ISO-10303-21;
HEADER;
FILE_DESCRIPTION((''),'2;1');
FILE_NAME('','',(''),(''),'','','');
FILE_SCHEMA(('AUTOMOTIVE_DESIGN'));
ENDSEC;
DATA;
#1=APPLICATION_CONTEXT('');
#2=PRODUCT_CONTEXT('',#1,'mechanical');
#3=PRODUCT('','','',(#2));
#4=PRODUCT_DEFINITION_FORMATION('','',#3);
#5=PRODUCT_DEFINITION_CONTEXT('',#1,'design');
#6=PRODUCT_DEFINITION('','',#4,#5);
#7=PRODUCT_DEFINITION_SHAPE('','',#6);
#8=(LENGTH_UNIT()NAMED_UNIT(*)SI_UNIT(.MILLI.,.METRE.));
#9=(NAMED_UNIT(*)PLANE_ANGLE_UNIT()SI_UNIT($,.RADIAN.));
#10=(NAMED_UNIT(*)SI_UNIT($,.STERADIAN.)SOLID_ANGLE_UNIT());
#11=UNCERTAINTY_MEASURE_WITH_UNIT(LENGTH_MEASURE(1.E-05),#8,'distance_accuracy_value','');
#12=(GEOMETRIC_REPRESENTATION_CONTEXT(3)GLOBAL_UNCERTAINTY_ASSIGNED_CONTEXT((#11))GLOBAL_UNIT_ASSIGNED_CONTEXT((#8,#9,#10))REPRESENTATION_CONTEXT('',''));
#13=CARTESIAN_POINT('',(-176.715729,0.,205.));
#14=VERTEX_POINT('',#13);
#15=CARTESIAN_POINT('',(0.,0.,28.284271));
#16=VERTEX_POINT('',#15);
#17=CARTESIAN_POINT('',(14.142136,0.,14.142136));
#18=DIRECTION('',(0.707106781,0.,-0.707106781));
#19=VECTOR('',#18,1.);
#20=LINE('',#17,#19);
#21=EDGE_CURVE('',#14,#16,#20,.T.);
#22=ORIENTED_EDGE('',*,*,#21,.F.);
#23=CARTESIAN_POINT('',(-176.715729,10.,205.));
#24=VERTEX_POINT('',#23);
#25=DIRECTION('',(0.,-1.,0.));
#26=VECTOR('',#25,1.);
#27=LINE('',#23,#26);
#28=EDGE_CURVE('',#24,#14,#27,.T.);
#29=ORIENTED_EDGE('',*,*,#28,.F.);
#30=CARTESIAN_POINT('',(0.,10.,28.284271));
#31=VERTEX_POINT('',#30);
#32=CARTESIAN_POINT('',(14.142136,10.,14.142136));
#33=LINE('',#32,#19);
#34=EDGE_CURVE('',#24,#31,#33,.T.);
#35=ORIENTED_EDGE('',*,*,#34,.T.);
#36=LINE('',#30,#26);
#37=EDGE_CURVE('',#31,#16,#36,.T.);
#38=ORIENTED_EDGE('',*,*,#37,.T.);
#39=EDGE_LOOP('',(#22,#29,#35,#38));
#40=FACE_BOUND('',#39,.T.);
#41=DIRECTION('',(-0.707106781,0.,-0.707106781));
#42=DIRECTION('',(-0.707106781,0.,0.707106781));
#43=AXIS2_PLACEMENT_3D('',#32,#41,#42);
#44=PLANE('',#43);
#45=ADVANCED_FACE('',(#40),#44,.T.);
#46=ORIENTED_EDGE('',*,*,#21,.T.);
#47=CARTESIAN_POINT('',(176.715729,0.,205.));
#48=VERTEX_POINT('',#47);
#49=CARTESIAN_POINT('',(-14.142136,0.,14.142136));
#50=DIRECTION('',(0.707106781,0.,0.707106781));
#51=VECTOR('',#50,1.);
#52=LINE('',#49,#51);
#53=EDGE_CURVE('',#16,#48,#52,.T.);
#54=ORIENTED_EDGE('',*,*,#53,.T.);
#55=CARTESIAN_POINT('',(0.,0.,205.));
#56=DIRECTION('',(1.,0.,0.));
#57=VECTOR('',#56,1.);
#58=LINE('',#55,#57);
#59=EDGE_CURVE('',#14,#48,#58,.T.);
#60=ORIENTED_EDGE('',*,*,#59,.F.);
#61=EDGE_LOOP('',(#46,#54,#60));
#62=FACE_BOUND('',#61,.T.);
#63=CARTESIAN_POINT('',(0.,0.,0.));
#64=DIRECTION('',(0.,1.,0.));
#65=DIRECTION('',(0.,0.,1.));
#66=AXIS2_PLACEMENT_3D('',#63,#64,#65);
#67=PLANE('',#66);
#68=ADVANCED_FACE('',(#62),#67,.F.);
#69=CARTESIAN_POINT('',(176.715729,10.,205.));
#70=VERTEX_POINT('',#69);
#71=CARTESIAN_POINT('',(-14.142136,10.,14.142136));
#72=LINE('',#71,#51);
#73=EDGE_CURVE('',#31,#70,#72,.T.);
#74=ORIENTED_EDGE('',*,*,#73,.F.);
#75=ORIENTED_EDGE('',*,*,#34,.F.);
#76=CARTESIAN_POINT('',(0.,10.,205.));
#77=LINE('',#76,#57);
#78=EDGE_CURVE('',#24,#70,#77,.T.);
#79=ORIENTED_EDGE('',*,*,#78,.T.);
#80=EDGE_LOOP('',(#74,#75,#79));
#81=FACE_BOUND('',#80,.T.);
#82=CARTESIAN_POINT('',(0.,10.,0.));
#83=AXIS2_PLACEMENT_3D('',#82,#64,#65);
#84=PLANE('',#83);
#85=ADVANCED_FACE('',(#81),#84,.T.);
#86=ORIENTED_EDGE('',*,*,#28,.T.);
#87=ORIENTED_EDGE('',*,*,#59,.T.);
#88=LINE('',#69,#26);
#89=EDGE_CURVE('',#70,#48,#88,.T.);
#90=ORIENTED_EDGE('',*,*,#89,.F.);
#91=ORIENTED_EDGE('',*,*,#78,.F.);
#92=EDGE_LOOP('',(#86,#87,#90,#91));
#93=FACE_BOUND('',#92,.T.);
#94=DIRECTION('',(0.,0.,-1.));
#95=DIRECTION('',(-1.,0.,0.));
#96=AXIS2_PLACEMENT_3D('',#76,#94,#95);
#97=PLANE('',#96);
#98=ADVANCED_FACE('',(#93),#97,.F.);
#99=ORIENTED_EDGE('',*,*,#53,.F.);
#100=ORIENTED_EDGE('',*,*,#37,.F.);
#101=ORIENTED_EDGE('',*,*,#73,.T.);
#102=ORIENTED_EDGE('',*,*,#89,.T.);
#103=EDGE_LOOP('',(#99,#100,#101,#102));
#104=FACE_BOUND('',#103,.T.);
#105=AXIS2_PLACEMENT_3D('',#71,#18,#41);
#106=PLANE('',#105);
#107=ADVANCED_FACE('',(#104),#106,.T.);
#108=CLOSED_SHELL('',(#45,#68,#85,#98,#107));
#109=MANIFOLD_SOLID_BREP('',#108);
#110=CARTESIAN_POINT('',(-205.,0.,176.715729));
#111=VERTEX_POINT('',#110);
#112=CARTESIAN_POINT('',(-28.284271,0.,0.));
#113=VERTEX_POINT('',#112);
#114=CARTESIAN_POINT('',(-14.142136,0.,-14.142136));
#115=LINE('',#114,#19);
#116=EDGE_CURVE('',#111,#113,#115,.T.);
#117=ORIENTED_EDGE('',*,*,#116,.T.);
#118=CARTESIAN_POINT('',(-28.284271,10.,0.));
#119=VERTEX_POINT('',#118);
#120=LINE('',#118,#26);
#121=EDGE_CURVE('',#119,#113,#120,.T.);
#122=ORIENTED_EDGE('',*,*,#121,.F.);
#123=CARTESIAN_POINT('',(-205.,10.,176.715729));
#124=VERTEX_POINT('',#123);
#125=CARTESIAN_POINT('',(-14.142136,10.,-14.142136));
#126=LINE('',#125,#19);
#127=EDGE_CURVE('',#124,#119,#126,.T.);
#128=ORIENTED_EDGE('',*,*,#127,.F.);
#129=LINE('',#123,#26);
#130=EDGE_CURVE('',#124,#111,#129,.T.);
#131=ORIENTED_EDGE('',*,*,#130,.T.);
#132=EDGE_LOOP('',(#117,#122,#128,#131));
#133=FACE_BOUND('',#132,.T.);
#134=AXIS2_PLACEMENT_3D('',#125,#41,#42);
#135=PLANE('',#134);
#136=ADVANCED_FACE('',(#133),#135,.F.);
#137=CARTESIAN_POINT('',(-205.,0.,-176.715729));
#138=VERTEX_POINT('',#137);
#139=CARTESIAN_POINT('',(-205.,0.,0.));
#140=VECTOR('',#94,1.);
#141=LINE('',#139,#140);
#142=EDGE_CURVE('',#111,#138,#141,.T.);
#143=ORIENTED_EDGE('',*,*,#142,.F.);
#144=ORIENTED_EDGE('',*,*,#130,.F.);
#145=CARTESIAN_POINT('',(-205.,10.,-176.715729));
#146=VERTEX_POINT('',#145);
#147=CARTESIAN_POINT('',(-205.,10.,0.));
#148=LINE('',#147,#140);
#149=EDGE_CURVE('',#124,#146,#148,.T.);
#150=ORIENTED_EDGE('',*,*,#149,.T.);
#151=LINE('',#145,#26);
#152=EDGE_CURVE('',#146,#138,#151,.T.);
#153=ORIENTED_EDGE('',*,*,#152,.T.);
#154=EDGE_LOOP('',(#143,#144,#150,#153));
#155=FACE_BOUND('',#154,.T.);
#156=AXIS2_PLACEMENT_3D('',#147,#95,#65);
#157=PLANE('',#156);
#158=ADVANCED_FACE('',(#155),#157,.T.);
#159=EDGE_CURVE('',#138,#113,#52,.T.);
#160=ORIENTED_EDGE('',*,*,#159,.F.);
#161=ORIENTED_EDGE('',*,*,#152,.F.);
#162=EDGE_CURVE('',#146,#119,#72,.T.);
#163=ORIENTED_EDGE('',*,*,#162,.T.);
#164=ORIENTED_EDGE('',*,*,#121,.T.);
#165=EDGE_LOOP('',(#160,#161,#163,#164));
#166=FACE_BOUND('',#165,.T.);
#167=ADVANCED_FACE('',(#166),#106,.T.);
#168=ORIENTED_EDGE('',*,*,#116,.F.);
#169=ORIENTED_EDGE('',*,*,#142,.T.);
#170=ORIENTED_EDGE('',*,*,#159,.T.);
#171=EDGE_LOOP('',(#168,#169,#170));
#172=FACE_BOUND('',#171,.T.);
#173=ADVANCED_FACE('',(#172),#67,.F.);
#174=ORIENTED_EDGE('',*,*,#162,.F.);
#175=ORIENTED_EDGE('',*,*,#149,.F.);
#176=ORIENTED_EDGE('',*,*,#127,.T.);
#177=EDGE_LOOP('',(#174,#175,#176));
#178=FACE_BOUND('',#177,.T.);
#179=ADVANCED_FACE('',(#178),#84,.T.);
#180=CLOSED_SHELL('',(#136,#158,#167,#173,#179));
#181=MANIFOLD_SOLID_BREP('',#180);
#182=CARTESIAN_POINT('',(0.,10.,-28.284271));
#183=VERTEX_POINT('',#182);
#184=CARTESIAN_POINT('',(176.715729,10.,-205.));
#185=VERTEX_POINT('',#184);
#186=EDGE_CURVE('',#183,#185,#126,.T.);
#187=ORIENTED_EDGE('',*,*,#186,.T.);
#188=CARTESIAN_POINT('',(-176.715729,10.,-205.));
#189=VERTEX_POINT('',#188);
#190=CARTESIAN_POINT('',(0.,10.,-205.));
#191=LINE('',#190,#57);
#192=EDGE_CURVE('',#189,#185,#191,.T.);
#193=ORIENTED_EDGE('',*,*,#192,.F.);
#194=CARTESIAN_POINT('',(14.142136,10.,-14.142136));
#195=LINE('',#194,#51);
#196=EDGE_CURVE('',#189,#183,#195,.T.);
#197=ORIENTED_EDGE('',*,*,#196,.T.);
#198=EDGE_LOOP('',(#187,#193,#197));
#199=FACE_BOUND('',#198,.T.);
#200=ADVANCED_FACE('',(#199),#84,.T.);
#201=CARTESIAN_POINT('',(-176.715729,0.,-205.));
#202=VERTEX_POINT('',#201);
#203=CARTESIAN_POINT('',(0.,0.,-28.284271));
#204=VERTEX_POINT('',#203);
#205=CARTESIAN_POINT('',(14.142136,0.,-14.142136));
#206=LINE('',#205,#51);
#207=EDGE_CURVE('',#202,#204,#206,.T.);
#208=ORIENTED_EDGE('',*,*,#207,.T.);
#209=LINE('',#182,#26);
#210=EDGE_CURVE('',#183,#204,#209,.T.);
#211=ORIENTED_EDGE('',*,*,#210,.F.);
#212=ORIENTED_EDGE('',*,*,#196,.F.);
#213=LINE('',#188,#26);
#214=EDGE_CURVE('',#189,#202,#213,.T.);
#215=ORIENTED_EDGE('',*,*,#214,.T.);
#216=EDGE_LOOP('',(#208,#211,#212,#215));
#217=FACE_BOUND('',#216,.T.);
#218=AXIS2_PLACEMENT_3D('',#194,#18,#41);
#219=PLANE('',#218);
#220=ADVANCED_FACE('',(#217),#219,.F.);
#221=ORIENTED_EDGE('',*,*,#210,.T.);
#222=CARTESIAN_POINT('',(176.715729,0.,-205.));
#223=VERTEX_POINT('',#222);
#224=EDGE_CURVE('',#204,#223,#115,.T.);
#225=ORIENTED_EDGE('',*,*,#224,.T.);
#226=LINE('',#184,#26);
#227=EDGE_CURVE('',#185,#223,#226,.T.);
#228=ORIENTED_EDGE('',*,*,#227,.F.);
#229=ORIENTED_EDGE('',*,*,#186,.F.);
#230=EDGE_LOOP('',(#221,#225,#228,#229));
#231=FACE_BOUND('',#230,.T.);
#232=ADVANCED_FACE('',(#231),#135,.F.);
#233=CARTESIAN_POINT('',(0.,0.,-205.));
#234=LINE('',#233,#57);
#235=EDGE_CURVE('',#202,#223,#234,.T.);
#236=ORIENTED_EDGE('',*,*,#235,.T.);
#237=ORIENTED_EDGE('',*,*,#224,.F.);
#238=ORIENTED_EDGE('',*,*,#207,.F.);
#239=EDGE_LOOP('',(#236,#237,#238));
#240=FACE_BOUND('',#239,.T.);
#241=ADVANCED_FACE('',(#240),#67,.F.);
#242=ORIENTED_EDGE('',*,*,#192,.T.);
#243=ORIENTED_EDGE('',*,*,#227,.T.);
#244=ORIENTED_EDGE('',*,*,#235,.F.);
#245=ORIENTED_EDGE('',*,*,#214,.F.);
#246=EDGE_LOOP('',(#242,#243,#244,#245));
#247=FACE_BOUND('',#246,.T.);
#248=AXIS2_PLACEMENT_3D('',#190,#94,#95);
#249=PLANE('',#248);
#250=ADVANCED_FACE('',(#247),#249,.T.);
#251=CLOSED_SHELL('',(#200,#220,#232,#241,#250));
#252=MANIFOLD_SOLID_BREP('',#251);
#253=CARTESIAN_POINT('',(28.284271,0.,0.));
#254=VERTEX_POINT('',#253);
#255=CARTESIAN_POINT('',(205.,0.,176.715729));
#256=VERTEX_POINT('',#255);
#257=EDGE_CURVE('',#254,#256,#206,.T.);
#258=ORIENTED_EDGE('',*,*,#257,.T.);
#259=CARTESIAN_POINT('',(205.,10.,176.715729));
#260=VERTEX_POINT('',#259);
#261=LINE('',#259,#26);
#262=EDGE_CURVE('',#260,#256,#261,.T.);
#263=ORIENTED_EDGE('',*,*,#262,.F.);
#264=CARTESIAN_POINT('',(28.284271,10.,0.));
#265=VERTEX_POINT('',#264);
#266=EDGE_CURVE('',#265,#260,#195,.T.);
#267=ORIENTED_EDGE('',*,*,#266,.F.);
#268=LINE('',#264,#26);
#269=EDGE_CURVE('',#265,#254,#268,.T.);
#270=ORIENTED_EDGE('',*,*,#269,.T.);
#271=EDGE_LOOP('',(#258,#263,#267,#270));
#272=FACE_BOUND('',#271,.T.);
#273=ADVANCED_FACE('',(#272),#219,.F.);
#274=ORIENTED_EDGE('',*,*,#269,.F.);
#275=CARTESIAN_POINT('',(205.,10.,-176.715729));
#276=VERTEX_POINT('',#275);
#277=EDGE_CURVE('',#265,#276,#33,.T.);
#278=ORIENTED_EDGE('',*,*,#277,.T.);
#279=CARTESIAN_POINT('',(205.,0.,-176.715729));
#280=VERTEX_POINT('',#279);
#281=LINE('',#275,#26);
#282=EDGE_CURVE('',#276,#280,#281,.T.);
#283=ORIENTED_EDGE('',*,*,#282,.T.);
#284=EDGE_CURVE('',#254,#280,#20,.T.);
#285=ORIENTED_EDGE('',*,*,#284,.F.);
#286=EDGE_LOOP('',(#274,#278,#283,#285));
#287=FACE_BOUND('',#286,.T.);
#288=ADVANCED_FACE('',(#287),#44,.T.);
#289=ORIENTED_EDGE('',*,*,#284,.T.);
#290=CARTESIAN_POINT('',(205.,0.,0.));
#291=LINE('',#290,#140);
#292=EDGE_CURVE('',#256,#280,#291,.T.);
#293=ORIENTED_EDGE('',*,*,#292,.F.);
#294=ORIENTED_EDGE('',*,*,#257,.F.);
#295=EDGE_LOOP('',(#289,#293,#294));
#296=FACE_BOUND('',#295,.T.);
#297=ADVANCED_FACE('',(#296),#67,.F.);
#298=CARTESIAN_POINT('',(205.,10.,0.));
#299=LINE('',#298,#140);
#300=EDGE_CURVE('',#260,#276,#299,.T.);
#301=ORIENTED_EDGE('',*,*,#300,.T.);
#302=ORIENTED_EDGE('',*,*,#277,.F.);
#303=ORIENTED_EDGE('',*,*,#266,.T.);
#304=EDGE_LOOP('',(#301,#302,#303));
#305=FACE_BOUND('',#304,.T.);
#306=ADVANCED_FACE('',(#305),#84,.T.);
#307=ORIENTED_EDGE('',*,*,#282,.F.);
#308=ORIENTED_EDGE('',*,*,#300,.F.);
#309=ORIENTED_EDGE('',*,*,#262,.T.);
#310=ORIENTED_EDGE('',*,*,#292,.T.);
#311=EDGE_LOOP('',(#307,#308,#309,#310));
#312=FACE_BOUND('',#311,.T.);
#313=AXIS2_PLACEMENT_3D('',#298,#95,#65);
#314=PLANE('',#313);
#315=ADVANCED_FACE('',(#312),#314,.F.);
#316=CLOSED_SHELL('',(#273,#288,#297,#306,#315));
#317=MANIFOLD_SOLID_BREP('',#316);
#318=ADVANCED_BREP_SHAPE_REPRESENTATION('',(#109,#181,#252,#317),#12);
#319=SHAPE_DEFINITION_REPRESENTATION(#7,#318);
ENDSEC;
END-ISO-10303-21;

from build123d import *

# Parameters (mm, degrees)
BOSS_EXTRUDE1_DEPTH   = 10
BOSS_EXTRUDE1_2_DEPTH = 10
BOSS_EXTRUDE1_3_DEPTH = 10
BOSS_EXTRUDE1_4_DEPTH = 10


with BuildPart() as part:
    # Sketch1 → Boss-Extrude1 (new body)
    with BuildSketch(Plane(origin=(0, 0, 0), x_dir=(1, 0, 0), z_dir=(0, 1, 0))):
        Polygon((-205, 176.715728753), (-205, -176.715728753), (-28.284271247, 0), align=None)
    extrude(amount=BOSS_EXTRUDE1_DEPTH)


with BuildPart() as body_2:
    # Sketch1 → Boss-Extrude1 2 (new body)
    with BuildSketch(Plane(origin=(0, 0, 0), x_dir=(1, 0, 0), z_dir=(0, 1, 0))):
        Polygon((-176.715728753, 205), (0, 28.284271247), (176.715728753, 205), align=None)
    extrude(amount=BOSS_EXTRUDE1_2_DEPTH)


with BuildPart() as body_3:
    # Sketch1 → Boss-Extrude1 3 (new body)
    with BuildSketch(Plane(origin=(0, 0, 0), x_dir=(1, 0, 0), z_dir=(0, 1, 0))):
        Polygon((205, 176.715728753), (28.284271247, 0), (205, -176.715728753), align=None)
    extrude(amount=BOSS_EXTRUDE1_3_DEPTH)


with BuildPart() as body_4:
    # Sketch1 → Boss-Extrude1 4 (new body)
    with BuildSketch(Plane(origin=(0, 0, 0), x_dir=(1, 0, 0), z_dir=(0, 1, 0))):
        Polygon((176.715728753, -205), (0, -28.284271247), (-176.715728753, -205), align=None)
    extrude(amount=BOSS_EXTRUDE1_4_DEPTH)


solid = Compound([part.part, body_2.part, body_3.part, body_4.part])
